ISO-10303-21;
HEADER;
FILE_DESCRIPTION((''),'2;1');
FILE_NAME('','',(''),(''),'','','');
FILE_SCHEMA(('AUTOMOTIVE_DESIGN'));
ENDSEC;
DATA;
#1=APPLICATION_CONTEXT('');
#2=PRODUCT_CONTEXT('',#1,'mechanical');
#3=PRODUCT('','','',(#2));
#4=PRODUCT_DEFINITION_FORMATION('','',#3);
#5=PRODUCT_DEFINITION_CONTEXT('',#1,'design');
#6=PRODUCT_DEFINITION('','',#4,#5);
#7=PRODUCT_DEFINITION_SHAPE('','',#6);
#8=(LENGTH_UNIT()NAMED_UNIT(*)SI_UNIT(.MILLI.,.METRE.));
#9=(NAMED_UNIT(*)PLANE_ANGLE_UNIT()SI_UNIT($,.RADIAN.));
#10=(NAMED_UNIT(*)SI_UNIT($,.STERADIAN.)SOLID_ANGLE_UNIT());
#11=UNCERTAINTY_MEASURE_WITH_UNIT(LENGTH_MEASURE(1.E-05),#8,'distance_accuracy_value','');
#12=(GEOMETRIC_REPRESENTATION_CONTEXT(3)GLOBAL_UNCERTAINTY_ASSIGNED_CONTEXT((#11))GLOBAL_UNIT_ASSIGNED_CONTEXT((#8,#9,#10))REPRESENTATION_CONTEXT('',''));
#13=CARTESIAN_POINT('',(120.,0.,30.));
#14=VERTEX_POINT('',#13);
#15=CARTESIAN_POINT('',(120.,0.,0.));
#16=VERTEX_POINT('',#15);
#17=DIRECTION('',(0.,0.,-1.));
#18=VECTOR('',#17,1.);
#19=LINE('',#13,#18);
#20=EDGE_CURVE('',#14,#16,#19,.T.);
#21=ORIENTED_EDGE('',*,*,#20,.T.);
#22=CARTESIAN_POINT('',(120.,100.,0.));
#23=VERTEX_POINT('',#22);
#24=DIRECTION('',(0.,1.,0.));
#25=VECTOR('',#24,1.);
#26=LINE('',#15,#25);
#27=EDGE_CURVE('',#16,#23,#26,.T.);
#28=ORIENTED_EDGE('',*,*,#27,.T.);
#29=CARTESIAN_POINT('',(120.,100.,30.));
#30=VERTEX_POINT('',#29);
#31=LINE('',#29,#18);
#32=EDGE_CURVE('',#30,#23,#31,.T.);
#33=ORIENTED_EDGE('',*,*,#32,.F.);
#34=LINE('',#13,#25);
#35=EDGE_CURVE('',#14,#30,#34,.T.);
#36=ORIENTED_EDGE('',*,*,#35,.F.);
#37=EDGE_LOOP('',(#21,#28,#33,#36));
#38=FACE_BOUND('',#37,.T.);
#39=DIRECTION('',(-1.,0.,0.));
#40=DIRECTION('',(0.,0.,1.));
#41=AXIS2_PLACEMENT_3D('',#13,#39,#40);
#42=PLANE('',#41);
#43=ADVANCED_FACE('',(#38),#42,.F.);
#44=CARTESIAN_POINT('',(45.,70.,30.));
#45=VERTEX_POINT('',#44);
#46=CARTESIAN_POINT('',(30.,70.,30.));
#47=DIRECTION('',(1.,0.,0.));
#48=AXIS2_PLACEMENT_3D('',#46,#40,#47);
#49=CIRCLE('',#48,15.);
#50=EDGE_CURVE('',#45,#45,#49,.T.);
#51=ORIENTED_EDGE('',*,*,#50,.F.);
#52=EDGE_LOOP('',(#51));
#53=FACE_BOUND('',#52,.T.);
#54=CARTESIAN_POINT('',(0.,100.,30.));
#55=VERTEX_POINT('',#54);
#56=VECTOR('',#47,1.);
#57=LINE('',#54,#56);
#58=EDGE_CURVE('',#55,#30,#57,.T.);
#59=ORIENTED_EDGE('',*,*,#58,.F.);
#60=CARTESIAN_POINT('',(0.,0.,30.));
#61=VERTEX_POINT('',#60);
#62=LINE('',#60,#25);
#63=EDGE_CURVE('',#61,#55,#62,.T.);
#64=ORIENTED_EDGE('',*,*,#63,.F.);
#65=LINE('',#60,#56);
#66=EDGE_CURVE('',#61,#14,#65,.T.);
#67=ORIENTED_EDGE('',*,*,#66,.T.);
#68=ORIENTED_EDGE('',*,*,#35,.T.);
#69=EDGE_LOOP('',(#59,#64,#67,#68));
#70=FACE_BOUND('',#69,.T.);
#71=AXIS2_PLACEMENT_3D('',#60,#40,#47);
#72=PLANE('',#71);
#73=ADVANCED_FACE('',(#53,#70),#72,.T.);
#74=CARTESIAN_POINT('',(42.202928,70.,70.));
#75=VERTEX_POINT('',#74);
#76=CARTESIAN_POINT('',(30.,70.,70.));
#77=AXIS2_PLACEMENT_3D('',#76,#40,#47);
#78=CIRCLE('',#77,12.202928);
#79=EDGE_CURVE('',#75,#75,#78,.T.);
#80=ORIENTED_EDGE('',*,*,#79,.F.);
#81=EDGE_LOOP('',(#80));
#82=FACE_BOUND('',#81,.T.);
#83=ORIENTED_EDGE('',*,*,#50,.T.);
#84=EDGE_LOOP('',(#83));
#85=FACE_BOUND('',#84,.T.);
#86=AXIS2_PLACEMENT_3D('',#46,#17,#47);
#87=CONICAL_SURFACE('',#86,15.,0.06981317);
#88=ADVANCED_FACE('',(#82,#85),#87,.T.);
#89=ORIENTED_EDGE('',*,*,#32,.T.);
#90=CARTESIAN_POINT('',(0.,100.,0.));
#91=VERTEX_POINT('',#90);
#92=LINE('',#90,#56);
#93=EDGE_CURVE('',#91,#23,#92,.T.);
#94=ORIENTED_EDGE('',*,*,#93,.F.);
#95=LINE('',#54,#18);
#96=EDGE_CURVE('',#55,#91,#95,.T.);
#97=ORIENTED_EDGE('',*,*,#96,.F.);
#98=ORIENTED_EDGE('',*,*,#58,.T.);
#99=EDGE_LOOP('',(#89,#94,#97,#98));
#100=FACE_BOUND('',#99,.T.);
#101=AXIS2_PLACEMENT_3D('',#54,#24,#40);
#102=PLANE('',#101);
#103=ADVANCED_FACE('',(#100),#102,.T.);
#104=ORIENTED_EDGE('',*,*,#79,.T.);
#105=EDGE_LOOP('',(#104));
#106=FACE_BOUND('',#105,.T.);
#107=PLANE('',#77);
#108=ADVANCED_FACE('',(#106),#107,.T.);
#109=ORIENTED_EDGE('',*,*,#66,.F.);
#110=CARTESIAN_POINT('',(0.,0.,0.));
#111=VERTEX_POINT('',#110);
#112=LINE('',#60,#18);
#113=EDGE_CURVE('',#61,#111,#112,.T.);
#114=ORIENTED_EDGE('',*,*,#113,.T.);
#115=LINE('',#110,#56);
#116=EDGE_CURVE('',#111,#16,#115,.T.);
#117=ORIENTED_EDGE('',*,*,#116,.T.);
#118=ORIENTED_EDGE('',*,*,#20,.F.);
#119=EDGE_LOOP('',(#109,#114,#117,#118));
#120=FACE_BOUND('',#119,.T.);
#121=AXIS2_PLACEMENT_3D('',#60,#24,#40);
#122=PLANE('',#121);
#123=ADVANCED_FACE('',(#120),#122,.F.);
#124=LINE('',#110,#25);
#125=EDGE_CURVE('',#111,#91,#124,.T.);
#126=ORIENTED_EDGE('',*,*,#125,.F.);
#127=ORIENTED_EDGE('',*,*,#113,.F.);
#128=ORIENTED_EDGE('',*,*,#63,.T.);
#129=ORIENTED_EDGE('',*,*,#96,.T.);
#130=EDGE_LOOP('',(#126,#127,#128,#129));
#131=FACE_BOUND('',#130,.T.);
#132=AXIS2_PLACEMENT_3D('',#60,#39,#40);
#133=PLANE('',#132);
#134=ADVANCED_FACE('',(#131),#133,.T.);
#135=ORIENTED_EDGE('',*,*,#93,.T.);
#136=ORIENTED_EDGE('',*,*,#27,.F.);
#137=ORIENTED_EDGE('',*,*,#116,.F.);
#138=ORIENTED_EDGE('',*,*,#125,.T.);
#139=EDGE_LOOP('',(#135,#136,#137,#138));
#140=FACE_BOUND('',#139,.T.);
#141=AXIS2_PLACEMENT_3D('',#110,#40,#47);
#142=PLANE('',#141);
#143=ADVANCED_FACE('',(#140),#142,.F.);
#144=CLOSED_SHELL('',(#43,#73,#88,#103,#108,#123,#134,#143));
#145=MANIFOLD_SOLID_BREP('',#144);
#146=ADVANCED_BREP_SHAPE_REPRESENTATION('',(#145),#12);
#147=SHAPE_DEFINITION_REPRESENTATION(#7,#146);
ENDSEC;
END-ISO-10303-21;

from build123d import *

# Parameters (mm, degrees)
CROQUIS1_W              = 120
CROQUIS1_H              = 100
SALIENTE_EXTRUIR1_DEPTH = 30
CROQUIS3_R              = 15
SALIENTE_EXTRUIR3_DEPTH = 40
SALIENTE_EXTRUIR3_TAPER = 4


with BuildPart() as part:
    # Croquis1 → Saliente-Extruir1 (new body)
    with BuildSketch(Plane.XY):
        with Locations((60, 50)):
            Rectangle(CROQUIS1_W, CROQUIS1_H)
    extrude(amount=SALIENTE_EXTRUIR1_DEPTH)

    # Croquis3 → Saliente-Extruir3 (add)
    with BuildSketch(Plane.XY.offset(30)):
        with Locations((30, 70)):
            Circle(CROQUIS3_R)
    extrude(amount=SALIENTE_EXTRUIR3_DEPTH, taper=SALIENTE_EXTRUIR3_TAPER)


solid = part.part
